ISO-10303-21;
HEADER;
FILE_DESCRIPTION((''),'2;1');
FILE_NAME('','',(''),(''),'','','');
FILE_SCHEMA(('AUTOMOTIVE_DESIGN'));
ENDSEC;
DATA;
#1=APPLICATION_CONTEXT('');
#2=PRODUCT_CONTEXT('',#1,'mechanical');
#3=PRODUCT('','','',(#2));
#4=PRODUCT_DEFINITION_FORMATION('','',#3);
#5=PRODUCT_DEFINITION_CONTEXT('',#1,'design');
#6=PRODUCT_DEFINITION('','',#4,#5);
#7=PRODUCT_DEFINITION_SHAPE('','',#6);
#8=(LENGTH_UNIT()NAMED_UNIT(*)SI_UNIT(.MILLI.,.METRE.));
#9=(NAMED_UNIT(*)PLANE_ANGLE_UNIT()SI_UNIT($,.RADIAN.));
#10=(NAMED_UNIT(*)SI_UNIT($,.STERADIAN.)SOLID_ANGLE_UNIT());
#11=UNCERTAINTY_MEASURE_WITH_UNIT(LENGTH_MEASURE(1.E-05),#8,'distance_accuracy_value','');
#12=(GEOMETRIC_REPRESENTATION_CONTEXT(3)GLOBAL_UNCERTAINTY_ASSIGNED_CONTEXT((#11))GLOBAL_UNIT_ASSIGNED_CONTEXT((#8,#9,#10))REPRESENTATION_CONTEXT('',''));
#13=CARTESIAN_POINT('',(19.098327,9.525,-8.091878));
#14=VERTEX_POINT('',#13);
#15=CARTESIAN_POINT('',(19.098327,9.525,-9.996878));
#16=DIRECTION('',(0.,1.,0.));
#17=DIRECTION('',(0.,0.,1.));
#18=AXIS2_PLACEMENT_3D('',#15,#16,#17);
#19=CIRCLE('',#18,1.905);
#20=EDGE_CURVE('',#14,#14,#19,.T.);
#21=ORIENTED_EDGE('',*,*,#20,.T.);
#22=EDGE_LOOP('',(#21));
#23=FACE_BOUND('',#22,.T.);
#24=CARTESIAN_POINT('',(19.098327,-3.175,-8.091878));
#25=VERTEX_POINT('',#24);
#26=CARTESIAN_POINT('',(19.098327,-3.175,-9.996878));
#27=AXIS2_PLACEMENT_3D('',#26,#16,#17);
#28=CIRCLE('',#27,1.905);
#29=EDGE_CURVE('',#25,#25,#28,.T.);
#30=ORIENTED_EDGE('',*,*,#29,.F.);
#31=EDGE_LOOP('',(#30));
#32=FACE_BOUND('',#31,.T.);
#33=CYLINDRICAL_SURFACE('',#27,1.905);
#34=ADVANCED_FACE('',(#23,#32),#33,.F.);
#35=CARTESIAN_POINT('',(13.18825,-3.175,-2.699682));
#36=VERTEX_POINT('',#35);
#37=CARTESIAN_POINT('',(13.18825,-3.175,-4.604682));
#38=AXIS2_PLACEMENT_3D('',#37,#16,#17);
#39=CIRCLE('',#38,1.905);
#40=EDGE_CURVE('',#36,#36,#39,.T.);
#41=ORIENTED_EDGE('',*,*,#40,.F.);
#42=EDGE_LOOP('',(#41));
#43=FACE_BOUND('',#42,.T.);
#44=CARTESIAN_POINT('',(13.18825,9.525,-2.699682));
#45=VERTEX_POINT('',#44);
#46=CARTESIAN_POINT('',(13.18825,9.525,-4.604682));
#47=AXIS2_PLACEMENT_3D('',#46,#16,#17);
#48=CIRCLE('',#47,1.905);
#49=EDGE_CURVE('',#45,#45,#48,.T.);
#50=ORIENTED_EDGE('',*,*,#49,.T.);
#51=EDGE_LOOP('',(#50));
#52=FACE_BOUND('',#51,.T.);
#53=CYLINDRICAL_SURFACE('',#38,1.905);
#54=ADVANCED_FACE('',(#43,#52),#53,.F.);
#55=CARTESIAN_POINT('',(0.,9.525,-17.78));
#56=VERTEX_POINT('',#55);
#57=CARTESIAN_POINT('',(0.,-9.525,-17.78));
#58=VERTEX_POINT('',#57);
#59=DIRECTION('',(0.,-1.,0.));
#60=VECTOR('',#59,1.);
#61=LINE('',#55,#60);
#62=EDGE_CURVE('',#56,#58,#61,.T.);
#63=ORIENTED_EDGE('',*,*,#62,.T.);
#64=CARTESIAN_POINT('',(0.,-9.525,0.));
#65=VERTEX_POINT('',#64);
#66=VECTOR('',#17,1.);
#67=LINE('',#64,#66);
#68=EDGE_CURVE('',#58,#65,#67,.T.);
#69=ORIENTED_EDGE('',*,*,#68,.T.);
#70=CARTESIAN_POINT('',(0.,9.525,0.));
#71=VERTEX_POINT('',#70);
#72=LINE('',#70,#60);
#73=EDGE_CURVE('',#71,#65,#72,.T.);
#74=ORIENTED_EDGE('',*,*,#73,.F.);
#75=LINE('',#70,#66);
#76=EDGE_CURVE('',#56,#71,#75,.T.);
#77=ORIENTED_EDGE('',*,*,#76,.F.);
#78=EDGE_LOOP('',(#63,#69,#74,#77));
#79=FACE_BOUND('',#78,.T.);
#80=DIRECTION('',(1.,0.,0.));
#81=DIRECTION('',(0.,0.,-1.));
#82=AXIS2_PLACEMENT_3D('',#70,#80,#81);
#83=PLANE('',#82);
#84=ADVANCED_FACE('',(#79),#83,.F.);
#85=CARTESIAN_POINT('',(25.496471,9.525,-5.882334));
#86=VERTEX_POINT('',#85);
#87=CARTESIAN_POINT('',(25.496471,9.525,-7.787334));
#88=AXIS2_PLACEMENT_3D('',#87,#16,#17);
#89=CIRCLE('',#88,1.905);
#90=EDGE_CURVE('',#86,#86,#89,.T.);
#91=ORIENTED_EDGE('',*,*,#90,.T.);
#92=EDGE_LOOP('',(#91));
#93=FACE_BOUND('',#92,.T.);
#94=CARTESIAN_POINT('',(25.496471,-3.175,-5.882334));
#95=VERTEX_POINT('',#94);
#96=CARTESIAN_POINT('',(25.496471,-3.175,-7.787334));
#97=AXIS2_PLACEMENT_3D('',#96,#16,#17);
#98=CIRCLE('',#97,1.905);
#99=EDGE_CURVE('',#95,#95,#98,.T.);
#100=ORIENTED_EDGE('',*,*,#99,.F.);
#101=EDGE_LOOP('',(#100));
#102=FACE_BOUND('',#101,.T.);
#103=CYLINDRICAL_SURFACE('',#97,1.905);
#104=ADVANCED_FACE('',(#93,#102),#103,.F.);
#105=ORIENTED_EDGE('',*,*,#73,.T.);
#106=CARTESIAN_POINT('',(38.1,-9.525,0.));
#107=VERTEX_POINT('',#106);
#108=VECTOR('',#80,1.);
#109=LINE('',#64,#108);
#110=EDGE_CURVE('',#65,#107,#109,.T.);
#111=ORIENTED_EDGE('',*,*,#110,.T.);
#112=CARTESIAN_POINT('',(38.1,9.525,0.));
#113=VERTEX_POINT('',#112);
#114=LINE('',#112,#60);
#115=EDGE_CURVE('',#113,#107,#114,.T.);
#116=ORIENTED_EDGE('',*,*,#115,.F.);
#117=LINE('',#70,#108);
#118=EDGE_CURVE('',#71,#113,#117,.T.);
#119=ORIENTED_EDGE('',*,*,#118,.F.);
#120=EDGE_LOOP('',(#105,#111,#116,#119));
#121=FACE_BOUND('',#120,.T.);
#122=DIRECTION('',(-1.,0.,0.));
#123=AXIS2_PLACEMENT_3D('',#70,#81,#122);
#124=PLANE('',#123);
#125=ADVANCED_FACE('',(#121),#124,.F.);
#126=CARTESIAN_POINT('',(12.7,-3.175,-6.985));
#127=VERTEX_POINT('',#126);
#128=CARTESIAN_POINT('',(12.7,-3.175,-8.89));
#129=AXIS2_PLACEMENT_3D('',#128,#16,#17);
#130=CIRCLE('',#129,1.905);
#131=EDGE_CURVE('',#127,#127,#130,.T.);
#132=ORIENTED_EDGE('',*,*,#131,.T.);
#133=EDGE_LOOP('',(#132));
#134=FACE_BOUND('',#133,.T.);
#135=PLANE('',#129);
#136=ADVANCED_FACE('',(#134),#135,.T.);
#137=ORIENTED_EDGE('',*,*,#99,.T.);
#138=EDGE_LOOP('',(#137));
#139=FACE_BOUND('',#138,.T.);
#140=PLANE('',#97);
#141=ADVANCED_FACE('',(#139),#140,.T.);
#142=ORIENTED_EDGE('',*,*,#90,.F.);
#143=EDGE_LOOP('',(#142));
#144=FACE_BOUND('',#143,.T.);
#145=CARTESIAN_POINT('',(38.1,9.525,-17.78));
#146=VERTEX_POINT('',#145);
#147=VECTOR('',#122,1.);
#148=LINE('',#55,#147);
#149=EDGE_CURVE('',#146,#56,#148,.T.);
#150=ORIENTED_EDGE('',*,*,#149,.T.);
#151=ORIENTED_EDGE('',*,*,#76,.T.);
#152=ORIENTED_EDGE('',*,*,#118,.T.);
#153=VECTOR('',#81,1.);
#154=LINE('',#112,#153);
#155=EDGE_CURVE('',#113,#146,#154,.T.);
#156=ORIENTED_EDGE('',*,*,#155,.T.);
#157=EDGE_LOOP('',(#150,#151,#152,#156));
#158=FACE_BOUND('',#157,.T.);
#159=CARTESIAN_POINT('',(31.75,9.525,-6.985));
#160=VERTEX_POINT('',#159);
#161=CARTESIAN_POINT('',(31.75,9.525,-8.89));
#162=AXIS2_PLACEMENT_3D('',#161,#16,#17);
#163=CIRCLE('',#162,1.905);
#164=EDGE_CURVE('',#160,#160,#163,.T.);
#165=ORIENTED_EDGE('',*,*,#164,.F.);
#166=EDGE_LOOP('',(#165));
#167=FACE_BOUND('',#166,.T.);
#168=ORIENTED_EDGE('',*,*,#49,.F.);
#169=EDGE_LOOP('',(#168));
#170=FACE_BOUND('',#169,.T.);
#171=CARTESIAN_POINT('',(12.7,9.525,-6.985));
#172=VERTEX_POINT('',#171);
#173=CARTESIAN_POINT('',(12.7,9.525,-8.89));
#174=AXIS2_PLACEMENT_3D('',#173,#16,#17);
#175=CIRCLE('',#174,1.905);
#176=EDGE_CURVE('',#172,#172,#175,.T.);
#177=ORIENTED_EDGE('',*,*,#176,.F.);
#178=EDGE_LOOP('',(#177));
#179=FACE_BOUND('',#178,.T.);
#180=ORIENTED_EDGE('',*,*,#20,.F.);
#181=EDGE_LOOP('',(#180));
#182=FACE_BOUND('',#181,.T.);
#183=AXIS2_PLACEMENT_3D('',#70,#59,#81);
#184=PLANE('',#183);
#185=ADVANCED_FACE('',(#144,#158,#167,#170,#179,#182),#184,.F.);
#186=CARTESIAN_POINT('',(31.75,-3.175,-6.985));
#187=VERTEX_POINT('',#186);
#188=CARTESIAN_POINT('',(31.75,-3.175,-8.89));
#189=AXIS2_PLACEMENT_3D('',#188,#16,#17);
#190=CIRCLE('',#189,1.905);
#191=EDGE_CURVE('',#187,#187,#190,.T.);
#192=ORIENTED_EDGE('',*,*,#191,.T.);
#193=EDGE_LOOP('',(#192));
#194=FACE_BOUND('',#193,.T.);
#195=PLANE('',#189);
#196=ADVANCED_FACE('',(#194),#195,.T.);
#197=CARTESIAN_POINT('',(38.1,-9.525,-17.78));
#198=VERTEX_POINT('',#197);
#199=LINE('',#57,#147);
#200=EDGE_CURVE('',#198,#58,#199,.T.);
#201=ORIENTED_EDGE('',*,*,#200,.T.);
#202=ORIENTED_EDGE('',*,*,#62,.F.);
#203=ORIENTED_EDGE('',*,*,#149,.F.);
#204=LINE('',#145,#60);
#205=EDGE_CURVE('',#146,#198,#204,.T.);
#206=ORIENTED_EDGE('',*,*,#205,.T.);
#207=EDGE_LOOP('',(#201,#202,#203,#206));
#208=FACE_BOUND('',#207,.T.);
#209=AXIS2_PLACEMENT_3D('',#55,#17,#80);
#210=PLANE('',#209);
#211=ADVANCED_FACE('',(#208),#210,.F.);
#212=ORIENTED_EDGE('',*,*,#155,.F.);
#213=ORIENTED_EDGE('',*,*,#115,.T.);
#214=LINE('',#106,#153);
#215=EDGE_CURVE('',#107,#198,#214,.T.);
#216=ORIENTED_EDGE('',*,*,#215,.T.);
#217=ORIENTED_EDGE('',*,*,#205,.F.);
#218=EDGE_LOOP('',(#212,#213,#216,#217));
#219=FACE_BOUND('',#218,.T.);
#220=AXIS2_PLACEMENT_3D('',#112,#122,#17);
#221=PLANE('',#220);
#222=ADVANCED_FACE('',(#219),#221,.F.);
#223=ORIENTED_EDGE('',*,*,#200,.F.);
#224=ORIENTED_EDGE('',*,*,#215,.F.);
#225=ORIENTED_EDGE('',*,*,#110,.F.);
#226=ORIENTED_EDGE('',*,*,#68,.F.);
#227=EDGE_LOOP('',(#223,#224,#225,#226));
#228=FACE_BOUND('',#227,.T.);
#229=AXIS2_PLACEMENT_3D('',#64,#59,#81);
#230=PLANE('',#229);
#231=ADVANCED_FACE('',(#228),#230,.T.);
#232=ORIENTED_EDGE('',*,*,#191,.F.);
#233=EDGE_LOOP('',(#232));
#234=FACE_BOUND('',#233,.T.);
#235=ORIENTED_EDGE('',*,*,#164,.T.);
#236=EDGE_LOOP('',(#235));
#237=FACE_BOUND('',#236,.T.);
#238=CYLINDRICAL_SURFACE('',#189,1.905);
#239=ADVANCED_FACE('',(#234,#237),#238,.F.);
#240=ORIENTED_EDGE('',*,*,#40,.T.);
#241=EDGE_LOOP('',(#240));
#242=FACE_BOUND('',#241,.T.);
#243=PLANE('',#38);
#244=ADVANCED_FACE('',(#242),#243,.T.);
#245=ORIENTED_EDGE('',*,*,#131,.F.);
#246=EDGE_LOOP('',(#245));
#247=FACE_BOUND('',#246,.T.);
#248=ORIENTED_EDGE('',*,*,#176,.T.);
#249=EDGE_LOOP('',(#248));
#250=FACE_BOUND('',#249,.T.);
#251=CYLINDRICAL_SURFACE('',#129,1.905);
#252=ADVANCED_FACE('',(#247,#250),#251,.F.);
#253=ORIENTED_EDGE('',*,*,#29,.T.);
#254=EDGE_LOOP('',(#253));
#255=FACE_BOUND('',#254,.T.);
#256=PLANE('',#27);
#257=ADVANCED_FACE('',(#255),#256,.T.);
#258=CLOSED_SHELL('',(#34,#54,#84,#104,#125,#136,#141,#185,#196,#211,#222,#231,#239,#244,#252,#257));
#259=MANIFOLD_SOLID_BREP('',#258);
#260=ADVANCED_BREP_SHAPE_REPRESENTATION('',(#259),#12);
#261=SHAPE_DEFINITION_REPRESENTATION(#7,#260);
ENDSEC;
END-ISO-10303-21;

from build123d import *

# Parameters (mm, degrees)
SKETCH1_W           = 38.1
SKETCH1_H           = 17.78
BOSS_EXTRUDE1_DEPTH = 9.525
SKETCH2_R           = 1.905
CUT_EXTRUDE1_DEPTH  = 12.7


with BuildPart() as part:
    # Sketch1 → Boss-Extrude1 (new, symmetric)
    with BuildSketch(Plane(origin=(0, 0, 0), x_dir=(1, 0, 0), z_dir=(0, 1, 0))):
        with Locations((19.05, 8.89)):
            Rectangle(SKETCH1_W, SKETCH1_H)
    extrude(amount=BOSS_EXTRUDE1_DEPTH, both=True)

    # Sketch2 → Cut-Extrude1 (cut)
    with BuildSketch(Plane(origin=(0, 9.525, 0), x_dir=(1, 0, 0), z_dir=(0, 1, 0))):
        with Locations(Location((31.75, 8.89, 0), (0, 0, 270))):
            Circle(SKETCH2_R)
        with Locations(Location((19.098327334, 9.996877933, 0), (0, 0, 270))):
            Circle(SKETCH2_R)
        with Locations(Location((12.7, 8.89, 0), (0, 0, 270))):
            Circle(SKETCH2_R)
        with Locations(Location((25.496470768, 7.787334072, 0), (0, 0, 270))):
            Circle(SKETCH2_R)
        with Locations(Location((13.188250266, 4.604682415, 0), (0, 0, 270))):
            Circle(SKETCH2_R)
    extrude(amount=-CUT_EXTRUDE1_DEPTH, mode=Mode.SUBTRACT)


solid = part.part
